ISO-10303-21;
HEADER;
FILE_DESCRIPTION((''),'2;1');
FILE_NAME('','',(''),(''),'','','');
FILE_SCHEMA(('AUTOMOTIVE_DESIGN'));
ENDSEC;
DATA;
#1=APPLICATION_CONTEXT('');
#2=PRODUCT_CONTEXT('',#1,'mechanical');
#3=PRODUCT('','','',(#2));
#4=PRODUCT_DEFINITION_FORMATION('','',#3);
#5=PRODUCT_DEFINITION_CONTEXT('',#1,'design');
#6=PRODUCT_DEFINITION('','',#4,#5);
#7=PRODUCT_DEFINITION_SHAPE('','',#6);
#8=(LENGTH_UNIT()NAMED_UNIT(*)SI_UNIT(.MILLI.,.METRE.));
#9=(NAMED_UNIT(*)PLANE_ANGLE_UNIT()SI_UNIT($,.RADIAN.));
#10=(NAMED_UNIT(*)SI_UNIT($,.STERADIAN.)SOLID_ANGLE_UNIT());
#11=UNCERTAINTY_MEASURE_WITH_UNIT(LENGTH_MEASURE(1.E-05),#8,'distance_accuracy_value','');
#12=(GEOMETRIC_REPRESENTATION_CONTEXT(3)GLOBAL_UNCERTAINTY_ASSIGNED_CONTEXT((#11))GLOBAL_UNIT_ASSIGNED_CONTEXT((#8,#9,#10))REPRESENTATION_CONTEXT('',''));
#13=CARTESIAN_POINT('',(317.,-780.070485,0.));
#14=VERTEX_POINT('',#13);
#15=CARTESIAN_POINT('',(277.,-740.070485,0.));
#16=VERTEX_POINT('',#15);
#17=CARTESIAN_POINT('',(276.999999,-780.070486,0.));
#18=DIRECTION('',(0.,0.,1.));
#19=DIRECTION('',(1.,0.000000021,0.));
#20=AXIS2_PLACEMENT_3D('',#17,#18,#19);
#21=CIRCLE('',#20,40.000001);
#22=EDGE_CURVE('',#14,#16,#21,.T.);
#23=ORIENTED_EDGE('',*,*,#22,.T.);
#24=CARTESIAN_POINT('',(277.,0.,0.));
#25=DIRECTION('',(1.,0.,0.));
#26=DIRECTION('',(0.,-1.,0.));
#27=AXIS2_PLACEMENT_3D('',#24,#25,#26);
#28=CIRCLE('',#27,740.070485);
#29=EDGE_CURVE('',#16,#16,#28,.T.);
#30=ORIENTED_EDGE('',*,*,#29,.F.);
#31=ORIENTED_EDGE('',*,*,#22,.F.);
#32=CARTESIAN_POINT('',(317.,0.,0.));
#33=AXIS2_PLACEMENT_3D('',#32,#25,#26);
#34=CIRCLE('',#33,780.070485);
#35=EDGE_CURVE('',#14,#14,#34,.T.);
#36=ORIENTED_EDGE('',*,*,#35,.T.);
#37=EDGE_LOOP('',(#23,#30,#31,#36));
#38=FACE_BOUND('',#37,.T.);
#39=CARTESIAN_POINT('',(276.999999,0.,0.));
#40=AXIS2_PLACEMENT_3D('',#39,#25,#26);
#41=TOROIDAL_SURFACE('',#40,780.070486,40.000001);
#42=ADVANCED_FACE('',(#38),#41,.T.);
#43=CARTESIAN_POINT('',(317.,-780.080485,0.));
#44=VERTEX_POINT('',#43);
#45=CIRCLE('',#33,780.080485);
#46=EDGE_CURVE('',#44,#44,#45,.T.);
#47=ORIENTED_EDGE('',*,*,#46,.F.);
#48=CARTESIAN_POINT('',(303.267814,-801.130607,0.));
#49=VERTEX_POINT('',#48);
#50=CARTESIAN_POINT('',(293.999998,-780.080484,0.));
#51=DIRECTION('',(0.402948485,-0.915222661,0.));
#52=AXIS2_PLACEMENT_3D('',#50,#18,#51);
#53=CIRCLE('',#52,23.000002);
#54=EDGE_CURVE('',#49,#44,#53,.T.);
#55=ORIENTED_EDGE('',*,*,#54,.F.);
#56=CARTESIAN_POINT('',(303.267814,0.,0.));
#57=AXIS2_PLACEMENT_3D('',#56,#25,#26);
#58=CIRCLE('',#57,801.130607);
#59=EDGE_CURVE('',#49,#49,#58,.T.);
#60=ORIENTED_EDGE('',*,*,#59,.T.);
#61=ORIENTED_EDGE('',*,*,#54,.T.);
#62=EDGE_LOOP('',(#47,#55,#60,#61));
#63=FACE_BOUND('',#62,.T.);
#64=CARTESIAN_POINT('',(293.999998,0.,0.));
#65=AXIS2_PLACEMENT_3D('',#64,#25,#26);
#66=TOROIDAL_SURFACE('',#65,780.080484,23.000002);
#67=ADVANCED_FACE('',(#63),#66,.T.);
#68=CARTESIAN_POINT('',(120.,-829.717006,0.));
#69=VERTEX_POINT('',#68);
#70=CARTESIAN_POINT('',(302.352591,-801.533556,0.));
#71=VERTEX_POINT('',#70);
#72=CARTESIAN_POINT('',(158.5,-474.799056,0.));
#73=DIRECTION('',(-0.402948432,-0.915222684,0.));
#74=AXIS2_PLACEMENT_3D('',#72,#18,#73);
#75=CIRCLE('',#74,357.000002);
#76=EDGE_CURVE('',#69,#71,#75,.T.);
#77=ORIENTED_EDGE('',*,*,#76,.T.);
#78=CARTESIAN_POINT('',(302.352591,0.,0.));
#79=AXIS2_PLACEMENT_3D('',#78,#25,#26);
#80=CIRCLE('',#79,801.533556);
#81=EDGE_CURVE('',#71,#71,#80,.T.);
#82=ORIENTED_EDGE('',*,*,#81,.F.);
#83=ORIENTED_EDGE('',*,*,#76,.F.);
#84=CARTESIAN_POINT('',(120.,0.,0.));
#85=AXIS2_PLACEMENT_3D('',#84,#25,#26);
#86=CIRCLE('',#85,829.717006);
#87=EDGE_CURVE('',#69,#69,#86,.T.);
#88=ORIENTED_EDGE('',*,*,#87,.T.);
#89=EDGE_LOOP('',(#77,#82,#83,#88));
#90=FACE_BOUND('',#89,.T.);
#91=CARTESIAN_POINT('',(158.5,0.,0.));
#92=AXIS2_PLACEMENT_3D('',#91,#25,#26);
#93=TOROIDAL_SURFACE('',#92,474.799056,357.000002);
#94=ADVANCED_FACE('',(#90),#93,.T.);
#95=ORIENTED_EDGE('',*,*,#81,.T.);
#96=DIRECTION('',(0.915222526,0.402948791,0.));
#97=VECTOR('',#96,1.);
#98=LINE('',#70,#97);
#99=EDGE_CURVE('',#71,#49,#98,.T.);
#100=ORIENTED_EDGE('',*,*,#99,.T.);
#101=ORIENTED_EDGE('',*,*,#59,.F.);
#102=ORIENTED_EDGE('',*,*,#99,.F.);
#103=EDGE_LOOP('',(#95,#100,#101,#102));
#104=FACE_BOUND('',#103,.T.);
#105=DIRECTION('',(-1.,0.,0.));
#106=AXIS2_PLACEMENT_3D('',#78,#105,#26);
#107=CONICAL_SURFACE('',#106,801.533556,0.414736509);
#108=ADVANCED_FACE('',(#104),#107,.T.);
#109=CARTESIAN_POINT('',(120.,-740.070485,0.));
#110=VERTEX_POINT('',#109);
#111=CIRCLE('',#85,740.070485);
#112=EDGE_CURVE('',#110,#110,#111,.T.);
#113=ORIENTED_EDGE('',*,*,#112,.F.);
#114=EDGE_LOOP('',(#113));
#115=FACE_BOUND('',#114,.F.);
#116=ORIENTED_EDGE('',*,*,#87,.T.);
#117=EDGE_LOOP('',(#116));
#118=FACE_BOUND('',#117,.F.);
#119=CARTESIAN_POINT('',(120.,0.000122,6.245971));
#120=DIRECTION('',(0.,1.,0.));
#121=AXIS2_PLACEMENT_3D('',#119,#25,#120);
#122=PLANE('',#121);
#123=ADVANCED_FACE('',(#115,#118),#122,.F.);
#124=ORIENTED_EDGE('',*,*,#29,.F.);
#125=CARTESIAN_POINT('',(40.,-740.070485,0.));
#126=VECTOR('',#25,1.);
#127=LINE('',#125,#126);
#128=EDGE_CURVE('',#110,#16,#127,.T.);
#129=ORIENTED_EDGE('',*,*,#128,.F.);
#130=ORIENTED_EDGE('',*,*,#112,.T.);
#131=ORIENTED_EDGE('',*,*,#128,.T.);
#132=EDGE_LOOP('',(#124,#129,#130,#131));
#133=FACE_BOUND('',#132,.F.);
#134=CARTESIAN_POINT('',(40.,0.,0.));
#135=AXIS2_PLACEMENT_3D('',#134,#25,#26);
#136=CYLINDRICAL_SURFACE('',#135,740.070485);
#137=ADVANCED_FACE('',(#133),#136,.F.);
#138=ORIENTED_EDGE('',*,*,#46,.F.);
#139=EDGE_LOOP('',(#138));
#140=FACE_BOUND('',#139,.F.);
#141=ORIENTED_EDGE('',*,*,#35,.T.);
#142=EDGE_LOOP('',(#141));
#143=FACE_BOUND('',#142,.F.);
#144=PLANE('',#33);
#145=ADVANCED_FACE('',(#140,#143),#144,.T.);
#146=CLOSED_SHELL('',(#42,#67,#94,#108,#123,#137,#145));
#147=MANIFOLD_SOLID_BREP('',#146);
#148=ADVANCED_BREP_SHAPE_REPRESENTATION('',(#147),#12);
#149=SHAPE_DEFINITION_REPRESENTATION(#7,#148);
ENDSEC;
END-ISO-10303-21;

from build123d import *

# Parameters (mm, degrees)
SKETCH001_W = 2773.187988
SKETCH001_H = 2729.466553
PAD_DEPTH   = 120


with BuildPart() as pad:
    # Sketch001 → Pad (new body)
    with BuildSketch(Plane.YZ):
        with Locations((0.000122, 6.245971)):
            Rectangle(SKETCH001_W, SKETCH001_H)
    extrude(amount=PAD_DEPTH)


with BuildPart() as cut:
    # Sketch → Revolution (revolve)
    with BuildSketch(Plane.XY):
        with BuildLine():
            ThreePointArc((14.647409, -801.533556), (158.5, -831.799058), (302.352591, -801.533556))
            Line((302.352591, -801.533556), (303.267814, -801.130607))
            ThreePointArc((303.267814, -801.130607), (313.263433, -792.647113), (317, -780.080485))
            Line((317, -780.070485), (317, -780.080485))
            ThreePointArc((317, -780.070485), (305.284271, -751.786214), (277, -740.070485))
            Line((40, -740.070485), (277, -740.070485))
            ThreePointArc((40, -740.070485), (11.715729, -751.786214), (0, -780.070485))
            Line((0, -780.070485), (0, -780.080485))
            ThreePointArc((0, -780.080485), (3.736567, -792.647113), (13.732186, -801.130607))
            Line((13.732186, -801.130607), (14.647409, -801.533556))
        make_face()
    revolve(axis=Axis((0, 0, 0), (1, 0, 0)))

    # Cut: cut Pad
    add(pad.part, mode=Mode.SUBTRACT)


solid = cut.part
